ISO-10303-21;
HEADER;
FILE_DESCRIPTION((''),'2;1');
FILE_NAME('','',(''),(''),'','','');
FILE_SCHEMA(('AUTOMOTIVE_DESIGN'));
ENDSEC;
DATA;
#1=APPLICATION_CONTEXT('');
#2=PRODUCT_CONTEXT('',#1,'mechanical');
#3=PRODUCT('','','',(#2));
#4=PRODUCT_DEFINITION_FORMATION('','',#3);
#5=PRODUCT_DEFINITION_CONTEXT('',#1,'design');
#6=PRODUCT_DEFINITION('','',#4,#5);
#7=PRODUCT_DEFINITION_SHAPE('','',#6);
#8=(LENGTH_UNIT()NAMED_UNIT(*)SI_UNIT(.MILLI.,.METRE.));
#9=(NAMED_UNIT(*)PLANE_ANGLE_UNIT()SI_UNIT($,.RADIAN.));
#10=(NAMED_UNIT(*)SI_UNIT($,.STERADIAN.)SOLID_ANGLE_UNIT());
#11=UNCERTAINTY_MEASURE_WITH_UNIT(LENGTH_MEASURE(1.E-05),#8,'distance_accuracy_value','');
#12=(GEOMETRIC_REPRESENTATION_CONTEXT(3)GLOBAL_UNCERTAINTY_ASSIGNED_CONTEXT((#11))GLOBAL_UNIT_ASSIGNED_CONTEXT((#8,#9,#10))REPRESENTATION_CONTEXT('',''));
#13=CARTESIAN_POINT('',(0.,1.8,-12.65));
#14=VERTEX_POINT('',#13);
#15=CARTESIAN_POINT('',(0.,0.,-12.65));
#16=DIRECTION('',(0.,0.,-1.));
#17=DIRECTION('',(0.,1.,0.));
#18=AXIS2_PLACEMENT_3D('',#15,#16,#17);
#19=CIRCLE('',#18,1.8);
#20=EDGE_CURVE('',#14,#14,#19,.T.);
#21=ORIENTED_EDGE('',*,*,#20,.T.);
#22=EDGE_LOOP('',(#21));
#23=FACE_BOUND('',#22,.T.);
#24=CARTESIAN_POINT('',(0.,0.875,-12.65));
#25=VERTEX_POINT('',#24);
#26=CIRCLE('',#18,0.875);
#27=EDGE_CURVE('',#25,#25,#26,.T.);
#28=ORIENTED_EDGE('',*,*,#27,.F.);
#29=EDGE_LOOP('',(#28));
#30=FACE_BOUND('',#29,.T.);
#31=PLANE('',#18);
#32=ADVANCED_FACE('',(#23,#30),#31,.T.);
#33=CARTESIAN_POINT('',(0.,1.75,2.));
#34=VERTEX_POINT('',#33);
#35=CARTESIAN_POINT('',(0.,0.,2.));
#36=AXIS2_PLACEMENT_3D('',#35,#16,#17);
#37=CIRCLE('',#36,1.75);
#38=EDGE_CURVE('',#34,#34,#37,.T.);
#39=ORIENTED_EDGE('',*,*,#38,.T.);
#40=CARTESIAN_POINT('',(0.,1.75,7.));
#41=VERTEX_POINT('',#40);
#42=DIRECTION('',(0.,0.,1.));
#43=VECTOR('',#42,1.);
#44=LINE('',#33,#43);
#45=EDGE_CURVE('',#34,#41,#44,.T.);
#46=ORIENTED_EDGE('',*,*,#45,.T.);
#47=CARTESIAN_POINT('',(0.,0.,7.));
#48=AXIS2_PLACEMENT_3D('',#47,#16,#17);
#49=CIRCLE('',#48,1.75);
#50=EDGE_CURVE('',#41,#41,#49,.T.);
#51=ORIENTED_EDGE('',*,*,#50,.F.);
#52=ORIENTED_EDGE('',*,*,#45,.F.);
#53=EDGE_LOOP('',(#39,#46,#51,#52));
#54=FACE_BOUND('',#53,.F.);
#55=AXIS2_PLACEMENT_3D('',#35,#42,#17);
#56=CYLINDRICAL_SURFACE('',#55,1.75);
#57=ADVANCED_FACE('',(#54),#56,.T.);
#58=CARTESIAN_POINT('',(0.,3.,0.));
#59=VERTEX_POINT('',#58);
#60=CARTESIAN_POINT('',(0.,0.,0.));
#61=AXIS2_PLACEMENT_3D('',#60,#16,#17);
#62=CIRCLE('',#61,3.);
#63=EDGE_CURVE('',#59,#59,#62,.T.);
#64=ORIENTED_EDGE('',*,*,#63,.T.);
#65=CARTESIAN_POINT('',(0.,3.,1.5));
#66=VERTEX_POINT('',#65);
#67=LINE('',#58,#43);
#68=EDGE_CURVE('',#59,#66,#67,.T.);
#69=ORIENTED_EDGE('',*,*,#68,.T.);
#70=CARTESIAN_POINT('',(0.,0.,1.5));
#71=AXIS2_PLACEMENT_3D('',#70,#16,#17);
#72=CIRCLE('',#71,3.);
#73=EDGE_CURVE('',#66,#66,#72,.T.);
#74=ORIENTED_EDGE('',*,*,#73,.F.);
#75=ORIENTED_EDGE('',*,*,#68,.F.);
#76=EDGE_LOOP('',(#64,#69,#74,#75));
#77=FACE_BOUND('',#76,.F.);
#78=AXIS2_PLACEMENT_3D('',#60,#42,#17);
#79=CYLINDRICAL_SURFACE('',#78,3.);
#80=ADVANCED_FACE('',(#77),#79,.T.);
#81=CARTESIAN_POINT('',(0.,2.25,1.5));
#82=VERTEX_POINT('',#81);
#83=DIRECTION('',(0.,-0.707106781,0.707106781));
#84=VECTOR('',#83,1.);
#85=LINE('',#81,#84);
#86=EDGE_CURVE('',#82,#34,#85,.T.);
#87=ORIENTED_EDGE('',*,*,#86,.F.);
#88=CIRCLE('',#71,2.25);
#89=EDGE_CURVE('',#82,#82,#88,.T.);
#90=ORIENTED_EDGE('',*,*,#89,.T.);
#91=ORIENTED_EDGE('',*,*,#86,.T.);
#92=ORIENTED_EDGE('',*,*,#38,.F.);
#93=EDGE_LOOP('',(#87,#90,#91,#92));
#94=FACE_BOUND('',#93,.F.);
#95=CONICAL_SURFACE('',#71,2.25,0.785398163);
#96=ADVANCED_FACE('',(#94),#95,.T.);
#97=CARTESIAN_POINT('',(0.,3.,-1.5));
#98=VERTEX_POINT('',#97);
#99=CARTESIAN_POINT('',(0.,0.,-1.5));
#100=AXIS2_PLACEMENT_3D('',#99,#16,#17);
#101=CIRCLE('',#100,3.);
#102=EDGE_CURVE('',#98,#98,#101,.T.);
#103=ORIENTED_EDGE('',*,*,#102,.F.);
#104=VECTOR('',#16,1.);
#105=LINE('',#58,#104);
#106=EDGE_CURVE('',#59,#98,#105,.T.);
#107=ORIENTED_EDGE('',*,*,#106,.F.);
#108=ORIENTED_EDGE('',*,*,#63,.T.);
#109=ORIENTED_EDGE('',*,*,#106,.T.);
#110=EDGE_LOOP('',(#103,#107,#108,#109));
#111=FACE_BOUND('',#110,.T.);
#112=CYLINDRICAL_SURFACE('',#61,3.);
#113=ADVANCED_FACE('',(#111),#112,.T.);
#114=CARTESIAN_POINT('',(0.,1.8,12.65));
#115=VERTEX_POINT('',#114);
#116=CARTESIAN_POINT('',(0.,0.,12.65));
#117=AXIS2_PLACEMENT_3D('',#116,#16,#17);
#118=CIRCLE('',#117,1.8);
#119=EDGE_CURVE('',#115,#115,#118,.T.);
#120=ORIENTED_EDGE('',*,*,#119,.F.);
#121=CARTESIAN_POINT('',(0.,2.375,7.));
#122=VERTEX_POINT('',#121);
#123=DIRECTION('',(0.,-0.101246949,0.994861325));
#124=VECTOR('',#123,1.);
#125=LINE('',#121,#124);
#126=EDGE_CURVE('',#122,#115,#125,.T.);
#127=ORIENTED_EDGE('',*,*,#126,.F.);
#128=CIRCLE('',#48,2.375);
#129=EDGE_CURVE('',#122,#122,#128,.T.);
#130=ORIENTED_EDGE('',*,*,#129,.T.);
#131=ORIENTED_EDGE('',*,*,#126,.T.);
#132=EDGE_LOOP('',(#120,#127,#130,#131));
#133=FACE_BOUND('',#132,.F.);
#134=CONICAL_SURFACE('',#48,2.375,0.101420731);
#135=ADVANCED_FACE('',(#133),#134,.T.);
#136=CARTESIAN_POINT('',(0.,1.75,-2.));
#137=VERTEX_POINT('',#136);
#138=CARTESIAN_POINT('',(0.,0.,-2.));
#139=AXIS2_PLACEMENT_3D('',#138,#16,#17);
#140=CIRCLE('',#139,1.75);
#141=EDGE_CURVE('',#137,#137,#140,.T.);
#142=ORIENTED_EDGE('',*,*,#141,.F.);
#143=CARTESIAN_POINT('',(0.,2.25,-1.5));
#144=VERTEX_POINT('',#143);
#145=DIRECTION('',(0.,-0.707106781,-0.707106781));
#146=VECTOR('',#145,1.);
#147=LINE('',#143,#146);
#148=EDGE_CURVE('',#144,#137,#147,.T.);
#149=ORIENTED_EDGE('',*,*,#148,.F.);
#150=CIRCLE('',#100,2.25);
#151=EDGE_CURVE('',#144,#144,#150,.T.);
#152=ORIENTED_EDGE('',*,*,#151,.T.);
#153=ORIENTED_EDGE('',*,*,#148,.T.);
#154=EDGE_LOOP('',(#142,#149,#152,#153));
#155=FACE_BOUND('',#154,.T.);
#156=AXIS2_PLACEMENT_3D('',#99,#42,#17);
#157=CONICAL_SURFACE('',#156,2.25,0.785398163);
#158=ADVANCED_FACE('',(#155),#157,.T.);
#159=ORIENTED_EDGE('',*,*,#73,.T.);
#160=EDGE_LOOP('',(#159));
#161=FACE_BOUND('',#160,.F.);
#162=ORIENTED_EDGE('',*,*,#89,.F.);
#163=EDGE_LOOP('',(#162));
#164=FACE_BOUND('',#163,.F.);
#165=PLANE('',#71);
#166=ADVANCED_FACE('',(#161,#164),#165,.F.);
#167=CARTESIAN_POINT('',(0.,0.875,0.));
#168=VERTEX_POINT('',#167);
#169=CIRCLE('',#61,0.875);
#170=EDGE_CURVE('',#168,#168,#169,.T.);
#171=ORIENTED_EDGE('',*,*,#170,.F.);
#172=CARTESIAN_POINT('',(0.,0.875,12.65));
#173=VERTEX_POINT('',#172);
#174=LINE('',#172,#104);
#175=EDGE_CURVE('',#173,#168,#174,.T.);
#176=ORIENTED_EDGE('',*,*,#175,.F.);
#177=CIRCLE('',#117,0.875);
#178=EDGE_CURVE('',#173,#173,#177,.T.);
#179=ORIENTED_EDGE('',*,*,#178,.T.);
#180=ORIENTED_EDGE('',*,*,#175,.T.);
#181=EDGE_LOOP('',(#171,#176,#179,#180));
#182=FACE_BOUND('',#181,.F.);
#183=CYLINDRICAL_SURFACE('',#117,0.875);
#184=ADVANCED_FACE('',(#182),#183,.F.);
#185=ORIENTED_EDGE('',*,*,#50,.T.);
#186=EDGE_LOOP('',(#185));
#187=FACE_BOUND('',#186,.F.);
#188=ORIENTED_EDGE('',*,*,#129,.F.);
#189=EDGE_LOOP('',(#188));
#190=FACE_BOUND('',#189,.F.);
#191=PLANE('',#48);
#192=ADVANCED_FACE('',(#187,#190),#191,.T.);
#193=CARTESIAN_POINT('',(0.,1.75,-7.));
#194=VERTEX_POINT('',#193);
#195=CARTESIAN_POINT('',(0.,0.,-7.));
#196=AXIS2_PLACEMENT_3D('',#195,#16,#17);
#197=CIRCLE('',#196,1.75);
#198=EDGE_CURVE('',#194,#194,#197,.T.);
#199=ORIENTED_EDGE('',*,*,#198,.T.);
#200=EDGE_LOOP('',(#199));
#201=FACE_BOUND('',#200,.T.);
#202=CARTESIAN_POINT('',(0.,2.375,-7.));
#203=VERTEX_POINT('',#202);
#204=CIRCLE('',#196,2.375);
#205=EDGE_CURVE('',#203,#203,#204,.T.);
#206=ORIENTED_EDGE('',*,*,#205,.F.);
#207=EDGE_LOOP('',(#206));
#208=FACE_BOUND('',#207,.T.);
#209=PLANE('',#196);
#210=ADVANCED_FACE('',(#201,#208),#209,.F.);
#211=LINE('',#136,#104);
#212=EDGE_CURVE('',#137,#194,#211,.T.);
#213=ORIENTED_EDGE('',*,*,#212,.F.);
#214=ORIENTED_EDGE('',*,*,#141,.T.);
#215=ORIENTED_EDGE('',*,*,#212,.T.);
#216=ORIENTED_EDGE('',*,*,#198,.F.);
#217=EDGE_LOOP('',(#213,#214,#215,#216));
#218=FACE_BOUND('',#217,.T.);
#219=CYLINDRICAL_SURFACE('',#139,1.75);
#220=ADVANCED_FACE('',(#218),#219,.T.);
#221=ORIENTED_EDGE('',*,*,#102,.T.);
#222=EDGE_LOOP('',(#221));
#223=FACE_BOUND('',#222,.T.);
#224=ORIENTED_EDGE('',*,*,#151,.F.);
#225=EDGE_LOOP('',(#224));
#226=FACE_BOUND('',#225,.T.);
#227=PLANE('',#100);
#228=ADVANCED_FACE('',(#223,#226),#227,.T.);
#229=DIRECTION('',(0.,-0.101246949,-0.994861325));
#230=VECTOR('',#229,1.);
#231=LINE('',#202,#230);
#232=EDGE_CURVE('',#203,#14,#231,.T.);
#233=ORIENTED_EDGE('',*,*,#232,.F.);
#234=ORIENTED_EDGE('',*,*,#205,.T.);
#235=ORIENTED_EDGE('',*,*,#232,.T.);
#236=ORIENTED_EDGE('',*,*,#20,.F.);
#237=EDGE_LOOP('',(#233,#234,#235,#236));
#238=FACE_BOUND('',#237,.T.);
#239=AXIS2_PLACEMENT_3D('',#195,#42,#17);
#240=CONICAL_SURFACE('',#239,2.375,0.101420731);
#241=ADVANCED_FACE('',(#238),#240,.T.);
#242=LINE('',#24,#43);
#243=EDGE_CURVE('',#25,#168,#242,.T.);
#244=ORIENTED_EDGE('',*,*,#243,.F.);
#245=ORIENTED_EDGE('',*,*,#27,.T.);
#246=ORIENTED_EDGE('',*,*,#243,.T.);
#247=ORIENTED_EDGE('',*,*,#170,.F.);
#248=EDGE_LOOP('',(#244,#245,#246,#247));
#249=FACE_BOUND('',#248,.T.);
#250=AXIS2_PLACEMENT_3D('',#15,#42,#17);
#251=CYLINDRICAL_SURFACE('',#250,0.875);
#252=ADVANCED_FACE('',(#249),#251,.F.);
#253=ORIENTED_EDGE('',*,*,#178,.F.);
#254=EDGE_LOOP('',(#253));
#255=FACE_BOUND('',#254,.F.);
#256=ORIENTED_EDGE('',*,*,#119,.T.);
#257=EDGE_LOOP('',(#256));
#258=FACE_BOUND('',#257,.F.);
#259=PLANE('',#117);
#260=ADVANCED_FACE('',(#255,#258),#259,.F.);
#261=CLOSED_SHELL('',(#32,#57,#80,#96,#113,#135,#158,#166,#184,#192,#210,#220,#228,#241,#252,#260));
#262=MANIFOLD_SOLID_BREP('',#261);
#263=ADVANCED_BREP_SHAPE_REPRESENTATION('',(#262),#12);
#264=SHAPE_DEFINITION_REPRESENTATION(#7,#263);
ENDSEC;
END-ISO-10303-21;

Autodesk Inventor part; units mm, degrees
ref_plane "YZ Plane" through (0, 0, 0) normal (1, 0, 0) x (0, 1, 0)
ref_plane "XZ Plane" through (0, 0, 0) normal (0, 1, 0) x (-1, 0, 0)
ref_plane "XY Plane" through (0, 0, 0) normal (0, 0, 1) x (1, 0, 0)
sketch "Sketch1" plane through (0, 0, 0) normal (1, 0, 0) x (0, 1, 0)
  line L0 (0, 12.65) -> (0, -12.65) construction
  line L1 (3, 0) -> (3, 1.5)
  line L2 (3, 1.5) -> (2.25, 1.5)
  line L3 (1.75, 2) -> (1.75, 7)
  line L4 (1.75, 7) -> (2.375, 7)
  line L5 (2.375, 7) -> (1.8, 12.65)
  line L6 (1.8, 12.65) -> (0.875, 12.65)
  line L7 (0.875, 12.65) -> (0.875, 0)
  line L8 (3, 0) -> (-3, 0) construction
  line L9 (3, 0) -> (3, -1.5)
  line L10 (3, -1.5) -> (2.25, -1.5)
  line L11 (1.75, -2) -> (1.75, -7)
  line L12 (1.75, -7) -> (2.375, -7)
  line L13 (2.375, -7) -> (1.8, -12.65)
  line L14 (1.8, -12.65) -> (0.875, -12.65)
  line L15 (0.875, -12.65) -> (0.875, 0)
  line L16 (2.25, 1.5) -> (1.75, 2)
  line L17 (2.25, -1.5) -> (1.75, -2)
  point P0 (0, 0)
  point P1 (1.75, 1.5)
  point P2 (1.75, -1.5)
  dimension "d0" = 25.3
  dimension "d1" = 3
  dimension "d2" = 1.5
  dimension "d3" = 6
  dimension "d4" = 3.5
  dimension "d5" = 5.5
  dimension "d6" = 4.75
  dimension "d7" = 3.6
  dimension "d8" = 1.75
  dimension "d9" = 6
  dimension "d10" = 0.5
  dimension "d11" = 0.5
  dimension "d12" = 0.5
  dimension "d13" = 0.5
revolve "Revolution1" add sketch "Sketch1" angle 360 about axis through (0, 0, 12.65) along (0, 0, -1)
equation "\"d11\" = d10"
equation "\"d13\" = d12"
properties part number "Adafruit_4764"
